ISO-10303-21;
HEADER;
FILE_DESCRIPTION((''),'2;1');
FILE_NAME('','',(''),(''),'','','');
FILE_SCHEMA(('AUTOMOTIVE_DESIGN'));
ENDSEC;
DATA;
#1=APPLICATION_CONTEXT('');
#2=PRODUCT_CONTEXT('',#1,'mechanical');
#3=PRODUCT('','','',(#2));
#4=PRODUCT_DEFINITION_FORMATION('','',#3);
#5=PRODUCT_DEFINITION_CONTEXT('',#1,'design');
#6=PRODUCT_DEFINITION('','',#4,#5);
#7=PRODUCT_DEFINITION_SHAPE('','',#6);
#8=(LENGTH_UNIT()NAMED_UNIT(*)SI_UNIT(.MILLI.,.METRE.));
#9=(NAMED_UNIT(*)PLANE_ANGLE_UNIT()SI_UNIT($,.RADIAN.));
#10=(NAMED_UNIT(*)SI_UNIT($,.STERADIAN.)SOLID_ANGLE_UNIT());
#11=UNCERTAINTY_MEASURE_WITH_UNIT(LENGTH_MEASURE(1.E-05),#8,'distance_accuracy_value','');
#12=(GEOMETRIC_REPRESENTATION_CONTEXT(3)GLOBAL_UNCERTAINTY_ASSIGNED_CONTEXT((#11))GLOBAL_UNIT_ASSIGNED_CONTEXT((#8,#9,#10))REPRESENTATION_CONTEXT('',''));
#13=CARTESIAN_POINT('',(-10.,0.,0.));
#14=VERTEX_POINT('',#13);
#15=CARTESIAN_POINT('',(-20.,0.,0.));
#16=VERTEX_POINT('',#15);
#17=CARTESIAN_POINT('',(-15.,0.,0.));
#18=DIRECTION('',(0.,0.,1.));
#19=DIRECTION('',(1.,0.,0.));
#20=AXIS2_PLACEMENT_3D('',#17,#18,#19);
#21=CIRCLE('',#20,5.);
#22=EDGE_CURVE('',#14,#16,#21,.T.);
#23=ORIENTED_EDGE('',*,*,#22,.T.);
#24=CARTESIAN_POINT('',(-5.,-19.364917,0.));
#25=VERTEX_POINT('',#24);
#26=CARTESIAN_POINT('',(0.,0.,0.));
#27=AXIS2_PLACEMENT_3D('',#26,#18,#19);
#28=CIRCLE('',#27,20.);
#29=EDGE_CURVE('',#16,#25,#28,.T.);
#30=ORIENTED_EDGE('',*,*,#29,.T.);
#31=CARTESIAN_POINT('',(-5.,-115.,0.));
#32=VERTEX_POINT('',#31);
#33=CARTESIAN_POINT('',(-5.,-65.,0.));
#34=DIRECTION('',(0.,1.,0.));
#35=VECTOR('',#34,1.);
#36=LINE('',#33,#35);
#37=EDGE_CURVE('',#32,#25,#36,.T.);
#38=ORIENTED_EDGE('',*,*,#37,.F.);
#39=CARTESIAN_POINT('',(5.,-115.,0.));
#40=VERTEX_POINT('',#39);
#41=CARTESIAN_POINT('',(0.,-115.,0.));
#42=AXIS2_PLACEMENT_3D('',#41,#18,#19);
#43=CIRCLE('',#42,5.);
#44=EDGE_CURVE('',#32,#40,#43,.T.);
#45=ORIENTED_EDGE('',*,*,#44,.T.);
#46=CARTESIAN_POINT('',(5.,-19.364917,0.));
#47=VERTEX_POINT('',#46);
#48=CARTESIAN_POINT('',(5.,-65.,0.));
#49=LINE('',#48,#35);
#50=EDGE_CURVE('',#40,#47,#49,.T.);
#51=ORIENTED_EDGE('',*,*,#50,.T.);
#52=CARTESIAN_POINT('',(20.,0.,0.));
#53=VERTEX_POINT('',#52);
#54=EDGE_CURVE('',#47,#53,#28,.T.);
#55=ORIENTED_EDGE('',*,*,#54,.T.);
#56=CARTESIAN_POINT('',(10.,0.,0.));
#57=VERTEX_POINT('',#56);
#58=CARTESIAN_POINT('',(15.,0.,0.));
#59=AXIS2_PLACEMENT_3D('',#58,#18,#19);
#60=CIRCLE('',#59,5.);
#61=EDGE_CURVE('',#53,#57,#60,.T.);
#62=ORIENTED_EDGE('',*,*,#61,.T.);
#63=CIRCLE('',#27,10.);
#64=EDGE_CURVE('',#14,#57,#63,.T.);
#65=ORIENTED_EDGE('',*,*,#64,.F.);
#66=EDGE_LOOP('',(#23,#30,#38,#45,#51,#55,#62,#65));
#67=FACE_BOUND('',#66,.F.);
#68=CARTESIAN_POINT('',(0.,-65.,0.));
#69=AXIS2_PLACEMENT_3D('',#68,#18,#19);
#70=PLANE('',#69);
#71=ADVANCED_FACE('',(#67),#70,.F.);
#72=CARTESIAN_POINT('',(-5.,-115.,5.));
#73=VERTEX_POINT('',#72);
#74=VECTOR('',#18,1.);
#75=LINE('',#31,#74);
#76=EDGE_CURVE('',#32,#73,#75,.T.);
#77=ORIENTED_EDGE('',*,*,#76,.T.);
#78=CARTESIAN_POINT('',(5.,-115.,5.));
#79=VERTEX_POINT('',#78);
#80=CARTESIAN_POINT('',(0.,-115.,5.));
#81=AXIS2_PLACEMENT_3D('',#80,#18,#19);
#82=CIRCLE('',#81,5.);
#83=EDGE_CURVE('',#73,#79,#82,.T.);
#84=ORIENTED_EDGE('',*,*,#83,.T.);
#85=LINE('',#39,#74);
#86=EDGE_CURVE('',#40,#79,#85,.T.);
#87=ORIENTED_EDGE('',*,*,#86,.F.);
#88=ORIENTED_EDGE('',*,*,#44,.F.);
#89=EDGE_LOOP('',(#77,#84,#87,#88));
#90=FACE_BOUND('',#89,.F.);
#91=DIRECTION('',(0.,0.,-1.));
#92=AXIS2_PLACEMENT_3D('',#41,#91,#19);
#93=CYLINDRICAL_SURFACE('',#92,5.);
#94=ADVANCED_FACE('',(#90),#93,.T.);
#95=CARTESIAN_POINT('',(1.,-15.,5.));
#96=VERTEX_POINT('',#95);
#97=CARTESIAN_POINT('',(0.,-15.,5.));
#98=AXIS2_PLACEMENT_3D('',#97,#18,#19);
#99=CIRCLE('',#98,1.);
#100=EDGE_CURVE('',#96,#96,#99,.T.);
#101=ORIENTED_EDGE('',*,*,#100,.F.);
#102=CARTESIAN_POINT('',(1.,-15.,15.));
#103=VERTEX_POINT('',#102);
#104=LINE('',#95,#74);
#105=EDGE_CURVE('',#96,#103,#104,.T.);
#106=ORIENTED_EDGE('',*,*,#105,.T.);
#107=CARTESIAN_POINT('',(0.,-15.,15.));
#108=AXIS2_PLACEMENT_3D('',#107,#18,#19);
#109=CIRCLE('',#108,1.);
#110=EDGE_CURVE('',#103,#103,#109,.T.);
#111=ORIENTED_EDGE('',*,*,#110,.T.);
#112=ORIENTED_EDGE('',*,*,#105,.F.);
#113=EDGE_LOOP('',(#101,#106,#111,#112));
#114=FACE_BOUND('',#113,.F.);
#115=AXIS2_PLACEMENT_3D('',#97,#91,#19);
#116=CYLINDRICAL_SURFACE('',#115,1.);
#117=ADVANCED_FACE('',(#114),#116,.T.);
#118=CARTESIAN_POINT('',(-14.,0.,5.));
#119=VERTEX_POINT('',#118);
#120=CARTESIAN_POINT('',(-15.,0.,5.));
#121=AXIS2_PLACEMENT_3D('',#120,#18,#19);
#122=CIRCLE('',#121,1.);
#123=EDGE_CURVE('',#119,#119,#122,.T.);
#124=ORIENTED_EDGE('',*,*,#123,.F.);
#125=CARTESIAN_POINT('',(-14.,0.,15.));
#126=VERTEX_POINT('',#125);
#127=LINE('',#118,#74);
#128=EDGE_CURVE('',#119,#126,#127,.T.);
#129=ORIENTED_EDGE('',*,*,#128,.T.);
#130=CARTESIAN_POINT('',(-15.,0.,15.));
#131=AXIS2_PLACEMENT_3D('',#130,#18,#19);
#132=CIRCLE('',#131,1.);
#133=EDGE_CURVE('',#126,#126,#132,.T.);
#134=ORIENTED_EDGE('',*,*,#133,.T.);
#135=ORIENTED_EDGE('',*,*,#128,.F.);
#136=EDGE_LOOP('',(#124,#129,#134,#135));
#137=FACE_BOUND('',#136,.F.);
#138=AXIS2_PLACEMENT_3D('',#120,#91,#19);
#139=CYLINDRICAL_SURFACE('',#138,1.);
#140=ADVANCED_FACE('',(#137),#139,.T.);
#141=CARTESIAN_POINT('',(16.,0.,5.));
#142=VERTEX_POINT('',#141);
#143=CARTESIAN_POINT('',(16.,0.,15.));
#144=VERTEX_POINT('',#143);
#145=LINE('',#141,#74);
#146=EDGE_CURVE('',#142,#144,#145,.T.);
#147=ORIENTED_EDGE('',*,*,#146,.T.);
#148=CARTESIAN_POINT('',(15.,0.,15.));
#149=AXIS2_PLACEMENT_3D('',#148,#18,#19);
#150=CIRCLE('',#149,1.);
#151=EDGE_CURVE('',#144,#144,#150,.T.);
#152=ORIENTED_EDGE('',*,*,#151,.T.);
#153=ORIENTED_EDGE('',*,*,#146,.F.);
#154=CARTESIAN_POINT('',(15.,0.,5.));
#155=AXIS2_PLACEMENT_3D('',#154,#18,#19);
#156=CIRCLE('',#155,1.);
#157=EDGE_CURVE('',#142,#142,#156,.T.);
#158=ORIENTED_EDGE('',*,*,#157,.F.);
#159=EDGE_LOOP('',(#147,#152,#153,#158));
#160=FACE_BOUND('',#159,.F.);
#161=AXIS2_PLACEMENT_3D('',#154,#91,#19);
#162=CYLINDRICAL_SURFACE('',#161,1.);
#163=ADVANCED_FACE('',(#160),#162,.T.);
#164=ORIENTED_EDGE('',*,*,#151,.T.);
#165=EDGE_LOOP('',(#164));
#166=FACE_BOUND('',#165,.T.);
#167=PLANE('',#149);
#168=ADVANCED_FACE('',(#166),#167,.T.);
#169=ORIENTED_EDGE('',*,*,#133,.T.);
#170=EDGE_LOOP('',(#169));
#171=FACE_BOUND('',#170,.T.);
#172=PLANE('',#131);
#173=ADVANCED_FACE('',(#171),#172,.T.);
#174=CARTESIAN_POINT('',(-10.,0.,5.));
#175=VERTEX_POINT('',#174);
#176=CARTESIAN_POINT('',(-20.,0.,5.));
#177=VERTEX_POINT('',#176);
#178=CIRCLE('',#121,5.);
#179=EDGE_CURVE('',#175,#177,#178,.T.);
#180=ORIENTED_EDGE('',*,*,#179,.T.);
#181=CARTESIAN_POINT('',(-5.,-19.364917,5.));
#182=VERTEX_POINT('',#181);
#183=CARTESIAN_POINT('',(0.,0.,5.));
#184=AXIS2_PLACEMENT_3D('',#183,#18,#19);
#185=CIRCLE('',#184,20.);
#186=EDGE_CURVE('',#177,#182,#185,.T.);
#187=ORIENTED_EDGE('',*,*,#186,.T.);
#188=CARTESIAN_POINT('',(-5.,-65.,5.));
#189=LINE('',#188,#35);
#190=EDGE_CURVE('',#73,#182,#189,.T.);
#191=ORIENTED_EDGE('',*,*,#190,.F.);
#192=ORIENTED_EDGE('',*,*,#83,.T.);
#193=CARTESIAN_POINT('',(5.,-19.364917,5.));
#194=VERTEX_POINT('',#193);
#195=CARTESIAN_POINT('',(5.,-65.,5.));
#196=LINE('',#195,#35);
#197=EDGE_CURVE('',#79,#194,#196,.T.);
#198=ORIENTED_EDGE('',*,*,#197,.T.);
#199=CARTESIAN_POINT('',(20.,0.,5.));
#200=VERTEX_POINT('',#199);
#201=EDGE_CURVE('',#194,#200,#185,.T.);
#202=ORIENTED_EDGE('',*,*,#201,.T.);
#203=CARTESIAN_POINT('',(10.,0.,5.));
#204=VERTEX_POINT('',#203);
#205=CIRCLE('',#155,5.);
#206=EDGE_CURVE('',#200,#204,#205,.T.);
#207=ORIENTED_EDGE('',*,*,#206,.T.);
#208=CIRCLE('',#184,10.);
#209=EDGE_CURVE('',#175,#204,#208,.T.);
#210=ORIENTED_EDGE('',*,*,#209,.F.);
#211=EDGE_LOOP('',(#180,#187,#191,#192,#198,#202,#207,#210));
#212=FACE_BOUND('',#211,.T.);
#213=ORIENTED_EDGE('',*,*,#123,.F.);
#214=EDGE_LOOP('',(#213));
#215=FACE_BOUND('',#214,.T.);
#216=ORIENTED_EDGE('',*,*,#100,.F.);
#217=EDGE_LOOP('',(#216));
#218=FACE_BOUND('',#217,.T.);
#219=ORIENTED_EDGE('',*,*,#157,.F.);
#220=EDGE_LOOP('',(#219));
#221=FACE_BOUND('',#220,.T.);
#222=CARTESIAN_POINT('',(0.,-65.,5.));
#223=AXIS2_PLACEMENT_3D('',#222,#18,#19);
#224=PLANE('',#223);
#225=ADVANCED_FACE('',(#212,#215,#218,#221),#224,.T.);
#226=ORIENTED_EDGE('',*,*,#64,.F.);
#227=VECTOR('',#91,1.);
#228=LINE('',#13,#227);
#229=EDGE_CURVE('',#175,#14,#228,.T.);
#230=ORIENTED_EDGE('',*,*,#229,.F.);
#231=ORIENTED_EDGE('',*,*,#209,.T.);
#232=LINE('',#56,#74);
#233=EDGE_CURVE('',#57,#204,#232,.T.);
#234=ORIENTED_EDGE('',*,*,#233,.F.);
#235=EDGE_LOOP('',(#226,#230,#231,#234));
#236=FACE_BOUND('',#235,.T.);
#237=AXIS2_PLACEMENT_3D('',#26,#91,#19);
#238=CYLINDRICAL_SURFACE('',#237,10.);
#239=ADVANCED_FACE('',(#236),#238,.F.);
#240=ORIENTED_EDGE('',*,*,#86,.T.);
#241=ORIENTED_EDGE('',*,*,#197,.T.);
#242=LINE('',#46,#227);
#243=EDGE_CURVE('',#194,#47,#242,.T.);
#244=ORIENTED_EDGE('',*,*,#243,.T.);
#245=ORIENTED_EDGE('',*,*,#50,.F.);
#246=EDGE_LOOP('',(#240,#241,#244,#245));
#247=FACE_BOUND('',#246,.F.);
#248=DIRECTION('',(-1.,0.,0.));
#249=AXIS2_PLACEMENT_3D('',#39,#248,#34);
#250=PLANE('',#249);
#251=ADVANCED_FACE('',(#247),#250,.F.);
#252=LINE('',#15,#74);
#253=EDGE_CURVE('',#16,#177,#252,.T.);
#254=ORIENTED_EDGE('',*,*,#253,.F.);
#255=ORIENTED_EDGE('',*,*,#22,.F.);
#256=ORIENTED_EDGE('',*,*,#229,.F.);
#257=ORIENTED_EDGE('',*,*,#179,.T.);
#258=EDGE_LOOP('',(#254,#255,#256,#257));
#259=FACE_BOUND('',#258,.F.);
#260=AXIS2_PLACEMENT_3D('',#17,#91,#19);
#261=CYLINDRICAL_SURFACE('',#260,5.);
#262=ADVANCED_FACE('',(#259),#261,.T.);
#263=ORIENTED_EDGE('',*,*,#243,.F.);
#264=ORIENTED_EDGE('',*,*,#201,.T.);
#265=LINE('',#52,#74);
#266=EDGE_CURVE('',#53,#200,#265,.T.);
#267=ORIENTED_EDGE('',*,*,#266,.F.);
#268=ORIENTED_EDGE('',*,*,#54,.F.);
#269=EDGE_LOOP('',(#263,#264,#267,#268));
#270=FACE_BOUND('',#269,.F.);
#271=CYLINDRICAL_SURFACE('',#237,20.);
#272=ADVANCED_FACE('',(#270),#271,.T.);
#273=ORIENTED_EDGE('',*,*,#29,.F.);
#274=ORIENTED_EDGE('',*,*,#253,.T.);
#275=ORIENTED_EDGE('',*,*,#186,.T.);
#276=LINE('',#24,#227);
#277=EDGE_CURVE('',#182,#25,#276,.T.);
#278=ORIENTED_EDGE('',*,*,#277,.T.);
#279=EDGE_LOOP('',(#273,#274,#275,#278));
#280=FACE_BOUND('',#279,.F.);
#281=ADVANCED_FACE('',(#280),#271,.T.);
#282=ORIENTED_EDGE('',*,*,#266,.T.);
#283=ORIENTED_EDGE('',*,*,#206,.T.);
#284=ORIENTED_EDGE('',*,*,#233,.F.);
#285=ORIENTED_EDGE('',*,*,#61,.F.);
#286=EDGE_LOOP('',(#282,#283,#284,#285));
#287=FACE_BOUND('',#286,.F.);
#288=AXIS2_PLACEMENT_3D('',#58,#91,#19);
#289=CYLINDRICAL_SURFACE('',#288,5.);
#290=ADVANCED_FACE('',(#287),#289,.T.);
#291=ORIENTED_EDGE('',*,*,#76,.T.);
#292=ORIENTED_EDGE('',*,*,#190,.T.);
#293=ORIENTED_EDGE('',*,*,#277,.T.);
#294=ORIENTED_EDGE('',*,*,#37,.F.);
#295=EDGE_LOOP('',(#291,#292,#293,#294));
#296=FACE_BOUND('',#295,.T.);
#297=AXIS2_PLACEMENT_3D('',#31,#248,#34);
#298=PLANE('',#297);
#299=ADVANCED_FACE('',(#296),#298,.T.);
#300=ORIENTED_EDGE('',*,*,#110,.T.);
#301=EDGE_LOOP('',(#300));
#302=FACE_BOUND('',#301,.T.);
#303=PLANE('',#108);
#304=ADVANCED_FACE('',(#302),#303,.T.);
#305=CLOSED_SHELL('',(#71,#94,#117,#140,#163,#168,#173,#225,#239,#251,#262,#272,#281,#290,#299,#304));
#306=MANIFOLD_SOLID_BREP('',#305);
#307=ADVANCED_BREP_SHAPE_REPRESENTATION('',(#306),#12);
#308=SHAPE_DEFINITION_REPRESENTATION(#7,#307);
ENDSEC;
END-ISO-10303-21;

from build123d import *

# Parameters (mm, degrees)
BOX001_W          = 10
BOX001_H          = 100
BOX001_DEPTH      = 5
CYLINDER004_R     = 1
CYLINDER004_DEPTH = 10
CYLINDER005_R     = 1
CYLINDER005_DEPTH = 10
CYLINDER006_R     = 1
CYLINDER006_DEPTH = 10
CYLINDER007_R     = 5
CYLINDER007_DEPTH = 5
CYLINDER002_R     = 5
CYLINDER002_DEPTH = 5
CYLINDER003_R     = 5
CYLINDER003_DEPTH = 5
BOX_W             = 40
BOX_H             = 35
BOX_DEPTH         = 5
CYLINDER_R        = 10
CYLINDER_DEPTH    = 5
CYLINDER001_R     = 20
CYLINDER001_DEPTH = 5


with BuildPart() as cube001:
    # Box001 → Box001 (new body)
    with BuildSketch(Plane(origin=(-5, -115, 0), x_dir=(1, 0, 0), z_dir=(0, 0, 1))):
        with Locations((5, 50)):
            Rectangle(BOX001_W, BOX001_H)
    extrude(amount=BOX001_DEPTH)


with BuildPart() as cylinder004:
    # Cylinder004 → Cylinder004 (new body)
    with BuildSketch(Plane(origin=(0, -15, 5), x_dir=(1, 0, 0), z_dir=(0, 0, 1))):
        Circle(CYLINDER004_R)
    extrude(amount=CYLINDER004_DEPTH)


with BuildPart() as cylinder005:
    # Cylinder005 → Cylinder005 (new body)
    with BuildSketch(Plane(origin=(15, 0, 5), x_dir=(1, 0, 0), z_dir=(0, 0, 1))):
        Circle(CYLINDER005_R)
    extrude(amount=CYLINDER005_DEPTH)


with BuildPart() as cylinder006:
    # Cylinder006 → Cylinder006 (new body)
    with BuildSketch(Plane(origin=(-15, 0, 5), x_dir=(1, 0, 0), z_dir=(0, 0, 1))):
        Circle(CYLINDER006_R)
    extrude(amount=CYLINDER006_DEPTH)


with BuildPart() as cylinder007:
    # Cylinder007 → Cylinder007 (new body)
    with BuildSketch(Plane(origin=(0, -115, 0), x_dir=(1, 0, 0), z_dir=(0, 0, 1))):
        Circle(CYLINDER007_R)
    extrude(amount=CYLINDER007_DEPTH)


with BuildPart() as cylinder002:
    # Cylinder002 → Cylinder002 (new body)
    with BuildSketch(Plane(origin=(15, 0, 0), x_dir=(1, 0, 0), z_dir=(0, 0, 1))):
        Circle(CYLINDER002_R)
    extrude(amount=CYLINDER002_DEPTH)


with BuildPart() as cylinder003:
    # Cylinder003 → Cylinder003 (new body)
    with BuildSketch(Plane(origin=(-15, 0, 0), x_dir=(1, 0, 0), z_dir=(0, 0, 1))):
        Circle(CYLINDER003_R)
    extrude(amount=CYLINDER003_DEPTH)


with BuildPart() as cube:
    # Box → Box (new body)
    with BuildSketch(Plane(origin=(-20, 0, 0), x_dir=(1, 0, 0), z_dir=(0, 0, 1))):
        with Locations((20, 17.5)):
            Rectangle(BOX_W, BOX_H)
    extrude(amount=BOX_DEPTH)


with BuildPart() as cylinder:
    # Cylinder → Cylinder (new body)
    with BuildSketch(Plane.XY):
        Circle(CYLINDER_R)
    extrude(amount=CYLINDER_DEPTH)


with BuildPart() as baseconfigurablepinwrench:
    # Cylinder001 → Cylinder001 (new body)
    with BuildSketch(Plane.XY):
        Circle(CYLINDER001_R)
    extrude(amount=CYLINDER001_DEPTH)

    # Cut: cut Cylinder
    add(cylinder.part, mode=Mode.SUBTRACT)

    # Cut001: cut Cube
    add(cube.part, mode=Mode.SUBTRACT)

    # Fusion: union Cylinder002, Cylinder003
    add(cylinder002.part)
    add(cylinder003.part)

    # Fusion001: union Cube001, Cylinder004, Cylinder005, Cylinder006, Cylinder007
    add(cube001.part)
    add(cylinder004.part)
    add(cylinder005.part)
    add(cylinder006.part)
    add(cylinder007.part)


solid = baseconfigurablepinwrench.part
